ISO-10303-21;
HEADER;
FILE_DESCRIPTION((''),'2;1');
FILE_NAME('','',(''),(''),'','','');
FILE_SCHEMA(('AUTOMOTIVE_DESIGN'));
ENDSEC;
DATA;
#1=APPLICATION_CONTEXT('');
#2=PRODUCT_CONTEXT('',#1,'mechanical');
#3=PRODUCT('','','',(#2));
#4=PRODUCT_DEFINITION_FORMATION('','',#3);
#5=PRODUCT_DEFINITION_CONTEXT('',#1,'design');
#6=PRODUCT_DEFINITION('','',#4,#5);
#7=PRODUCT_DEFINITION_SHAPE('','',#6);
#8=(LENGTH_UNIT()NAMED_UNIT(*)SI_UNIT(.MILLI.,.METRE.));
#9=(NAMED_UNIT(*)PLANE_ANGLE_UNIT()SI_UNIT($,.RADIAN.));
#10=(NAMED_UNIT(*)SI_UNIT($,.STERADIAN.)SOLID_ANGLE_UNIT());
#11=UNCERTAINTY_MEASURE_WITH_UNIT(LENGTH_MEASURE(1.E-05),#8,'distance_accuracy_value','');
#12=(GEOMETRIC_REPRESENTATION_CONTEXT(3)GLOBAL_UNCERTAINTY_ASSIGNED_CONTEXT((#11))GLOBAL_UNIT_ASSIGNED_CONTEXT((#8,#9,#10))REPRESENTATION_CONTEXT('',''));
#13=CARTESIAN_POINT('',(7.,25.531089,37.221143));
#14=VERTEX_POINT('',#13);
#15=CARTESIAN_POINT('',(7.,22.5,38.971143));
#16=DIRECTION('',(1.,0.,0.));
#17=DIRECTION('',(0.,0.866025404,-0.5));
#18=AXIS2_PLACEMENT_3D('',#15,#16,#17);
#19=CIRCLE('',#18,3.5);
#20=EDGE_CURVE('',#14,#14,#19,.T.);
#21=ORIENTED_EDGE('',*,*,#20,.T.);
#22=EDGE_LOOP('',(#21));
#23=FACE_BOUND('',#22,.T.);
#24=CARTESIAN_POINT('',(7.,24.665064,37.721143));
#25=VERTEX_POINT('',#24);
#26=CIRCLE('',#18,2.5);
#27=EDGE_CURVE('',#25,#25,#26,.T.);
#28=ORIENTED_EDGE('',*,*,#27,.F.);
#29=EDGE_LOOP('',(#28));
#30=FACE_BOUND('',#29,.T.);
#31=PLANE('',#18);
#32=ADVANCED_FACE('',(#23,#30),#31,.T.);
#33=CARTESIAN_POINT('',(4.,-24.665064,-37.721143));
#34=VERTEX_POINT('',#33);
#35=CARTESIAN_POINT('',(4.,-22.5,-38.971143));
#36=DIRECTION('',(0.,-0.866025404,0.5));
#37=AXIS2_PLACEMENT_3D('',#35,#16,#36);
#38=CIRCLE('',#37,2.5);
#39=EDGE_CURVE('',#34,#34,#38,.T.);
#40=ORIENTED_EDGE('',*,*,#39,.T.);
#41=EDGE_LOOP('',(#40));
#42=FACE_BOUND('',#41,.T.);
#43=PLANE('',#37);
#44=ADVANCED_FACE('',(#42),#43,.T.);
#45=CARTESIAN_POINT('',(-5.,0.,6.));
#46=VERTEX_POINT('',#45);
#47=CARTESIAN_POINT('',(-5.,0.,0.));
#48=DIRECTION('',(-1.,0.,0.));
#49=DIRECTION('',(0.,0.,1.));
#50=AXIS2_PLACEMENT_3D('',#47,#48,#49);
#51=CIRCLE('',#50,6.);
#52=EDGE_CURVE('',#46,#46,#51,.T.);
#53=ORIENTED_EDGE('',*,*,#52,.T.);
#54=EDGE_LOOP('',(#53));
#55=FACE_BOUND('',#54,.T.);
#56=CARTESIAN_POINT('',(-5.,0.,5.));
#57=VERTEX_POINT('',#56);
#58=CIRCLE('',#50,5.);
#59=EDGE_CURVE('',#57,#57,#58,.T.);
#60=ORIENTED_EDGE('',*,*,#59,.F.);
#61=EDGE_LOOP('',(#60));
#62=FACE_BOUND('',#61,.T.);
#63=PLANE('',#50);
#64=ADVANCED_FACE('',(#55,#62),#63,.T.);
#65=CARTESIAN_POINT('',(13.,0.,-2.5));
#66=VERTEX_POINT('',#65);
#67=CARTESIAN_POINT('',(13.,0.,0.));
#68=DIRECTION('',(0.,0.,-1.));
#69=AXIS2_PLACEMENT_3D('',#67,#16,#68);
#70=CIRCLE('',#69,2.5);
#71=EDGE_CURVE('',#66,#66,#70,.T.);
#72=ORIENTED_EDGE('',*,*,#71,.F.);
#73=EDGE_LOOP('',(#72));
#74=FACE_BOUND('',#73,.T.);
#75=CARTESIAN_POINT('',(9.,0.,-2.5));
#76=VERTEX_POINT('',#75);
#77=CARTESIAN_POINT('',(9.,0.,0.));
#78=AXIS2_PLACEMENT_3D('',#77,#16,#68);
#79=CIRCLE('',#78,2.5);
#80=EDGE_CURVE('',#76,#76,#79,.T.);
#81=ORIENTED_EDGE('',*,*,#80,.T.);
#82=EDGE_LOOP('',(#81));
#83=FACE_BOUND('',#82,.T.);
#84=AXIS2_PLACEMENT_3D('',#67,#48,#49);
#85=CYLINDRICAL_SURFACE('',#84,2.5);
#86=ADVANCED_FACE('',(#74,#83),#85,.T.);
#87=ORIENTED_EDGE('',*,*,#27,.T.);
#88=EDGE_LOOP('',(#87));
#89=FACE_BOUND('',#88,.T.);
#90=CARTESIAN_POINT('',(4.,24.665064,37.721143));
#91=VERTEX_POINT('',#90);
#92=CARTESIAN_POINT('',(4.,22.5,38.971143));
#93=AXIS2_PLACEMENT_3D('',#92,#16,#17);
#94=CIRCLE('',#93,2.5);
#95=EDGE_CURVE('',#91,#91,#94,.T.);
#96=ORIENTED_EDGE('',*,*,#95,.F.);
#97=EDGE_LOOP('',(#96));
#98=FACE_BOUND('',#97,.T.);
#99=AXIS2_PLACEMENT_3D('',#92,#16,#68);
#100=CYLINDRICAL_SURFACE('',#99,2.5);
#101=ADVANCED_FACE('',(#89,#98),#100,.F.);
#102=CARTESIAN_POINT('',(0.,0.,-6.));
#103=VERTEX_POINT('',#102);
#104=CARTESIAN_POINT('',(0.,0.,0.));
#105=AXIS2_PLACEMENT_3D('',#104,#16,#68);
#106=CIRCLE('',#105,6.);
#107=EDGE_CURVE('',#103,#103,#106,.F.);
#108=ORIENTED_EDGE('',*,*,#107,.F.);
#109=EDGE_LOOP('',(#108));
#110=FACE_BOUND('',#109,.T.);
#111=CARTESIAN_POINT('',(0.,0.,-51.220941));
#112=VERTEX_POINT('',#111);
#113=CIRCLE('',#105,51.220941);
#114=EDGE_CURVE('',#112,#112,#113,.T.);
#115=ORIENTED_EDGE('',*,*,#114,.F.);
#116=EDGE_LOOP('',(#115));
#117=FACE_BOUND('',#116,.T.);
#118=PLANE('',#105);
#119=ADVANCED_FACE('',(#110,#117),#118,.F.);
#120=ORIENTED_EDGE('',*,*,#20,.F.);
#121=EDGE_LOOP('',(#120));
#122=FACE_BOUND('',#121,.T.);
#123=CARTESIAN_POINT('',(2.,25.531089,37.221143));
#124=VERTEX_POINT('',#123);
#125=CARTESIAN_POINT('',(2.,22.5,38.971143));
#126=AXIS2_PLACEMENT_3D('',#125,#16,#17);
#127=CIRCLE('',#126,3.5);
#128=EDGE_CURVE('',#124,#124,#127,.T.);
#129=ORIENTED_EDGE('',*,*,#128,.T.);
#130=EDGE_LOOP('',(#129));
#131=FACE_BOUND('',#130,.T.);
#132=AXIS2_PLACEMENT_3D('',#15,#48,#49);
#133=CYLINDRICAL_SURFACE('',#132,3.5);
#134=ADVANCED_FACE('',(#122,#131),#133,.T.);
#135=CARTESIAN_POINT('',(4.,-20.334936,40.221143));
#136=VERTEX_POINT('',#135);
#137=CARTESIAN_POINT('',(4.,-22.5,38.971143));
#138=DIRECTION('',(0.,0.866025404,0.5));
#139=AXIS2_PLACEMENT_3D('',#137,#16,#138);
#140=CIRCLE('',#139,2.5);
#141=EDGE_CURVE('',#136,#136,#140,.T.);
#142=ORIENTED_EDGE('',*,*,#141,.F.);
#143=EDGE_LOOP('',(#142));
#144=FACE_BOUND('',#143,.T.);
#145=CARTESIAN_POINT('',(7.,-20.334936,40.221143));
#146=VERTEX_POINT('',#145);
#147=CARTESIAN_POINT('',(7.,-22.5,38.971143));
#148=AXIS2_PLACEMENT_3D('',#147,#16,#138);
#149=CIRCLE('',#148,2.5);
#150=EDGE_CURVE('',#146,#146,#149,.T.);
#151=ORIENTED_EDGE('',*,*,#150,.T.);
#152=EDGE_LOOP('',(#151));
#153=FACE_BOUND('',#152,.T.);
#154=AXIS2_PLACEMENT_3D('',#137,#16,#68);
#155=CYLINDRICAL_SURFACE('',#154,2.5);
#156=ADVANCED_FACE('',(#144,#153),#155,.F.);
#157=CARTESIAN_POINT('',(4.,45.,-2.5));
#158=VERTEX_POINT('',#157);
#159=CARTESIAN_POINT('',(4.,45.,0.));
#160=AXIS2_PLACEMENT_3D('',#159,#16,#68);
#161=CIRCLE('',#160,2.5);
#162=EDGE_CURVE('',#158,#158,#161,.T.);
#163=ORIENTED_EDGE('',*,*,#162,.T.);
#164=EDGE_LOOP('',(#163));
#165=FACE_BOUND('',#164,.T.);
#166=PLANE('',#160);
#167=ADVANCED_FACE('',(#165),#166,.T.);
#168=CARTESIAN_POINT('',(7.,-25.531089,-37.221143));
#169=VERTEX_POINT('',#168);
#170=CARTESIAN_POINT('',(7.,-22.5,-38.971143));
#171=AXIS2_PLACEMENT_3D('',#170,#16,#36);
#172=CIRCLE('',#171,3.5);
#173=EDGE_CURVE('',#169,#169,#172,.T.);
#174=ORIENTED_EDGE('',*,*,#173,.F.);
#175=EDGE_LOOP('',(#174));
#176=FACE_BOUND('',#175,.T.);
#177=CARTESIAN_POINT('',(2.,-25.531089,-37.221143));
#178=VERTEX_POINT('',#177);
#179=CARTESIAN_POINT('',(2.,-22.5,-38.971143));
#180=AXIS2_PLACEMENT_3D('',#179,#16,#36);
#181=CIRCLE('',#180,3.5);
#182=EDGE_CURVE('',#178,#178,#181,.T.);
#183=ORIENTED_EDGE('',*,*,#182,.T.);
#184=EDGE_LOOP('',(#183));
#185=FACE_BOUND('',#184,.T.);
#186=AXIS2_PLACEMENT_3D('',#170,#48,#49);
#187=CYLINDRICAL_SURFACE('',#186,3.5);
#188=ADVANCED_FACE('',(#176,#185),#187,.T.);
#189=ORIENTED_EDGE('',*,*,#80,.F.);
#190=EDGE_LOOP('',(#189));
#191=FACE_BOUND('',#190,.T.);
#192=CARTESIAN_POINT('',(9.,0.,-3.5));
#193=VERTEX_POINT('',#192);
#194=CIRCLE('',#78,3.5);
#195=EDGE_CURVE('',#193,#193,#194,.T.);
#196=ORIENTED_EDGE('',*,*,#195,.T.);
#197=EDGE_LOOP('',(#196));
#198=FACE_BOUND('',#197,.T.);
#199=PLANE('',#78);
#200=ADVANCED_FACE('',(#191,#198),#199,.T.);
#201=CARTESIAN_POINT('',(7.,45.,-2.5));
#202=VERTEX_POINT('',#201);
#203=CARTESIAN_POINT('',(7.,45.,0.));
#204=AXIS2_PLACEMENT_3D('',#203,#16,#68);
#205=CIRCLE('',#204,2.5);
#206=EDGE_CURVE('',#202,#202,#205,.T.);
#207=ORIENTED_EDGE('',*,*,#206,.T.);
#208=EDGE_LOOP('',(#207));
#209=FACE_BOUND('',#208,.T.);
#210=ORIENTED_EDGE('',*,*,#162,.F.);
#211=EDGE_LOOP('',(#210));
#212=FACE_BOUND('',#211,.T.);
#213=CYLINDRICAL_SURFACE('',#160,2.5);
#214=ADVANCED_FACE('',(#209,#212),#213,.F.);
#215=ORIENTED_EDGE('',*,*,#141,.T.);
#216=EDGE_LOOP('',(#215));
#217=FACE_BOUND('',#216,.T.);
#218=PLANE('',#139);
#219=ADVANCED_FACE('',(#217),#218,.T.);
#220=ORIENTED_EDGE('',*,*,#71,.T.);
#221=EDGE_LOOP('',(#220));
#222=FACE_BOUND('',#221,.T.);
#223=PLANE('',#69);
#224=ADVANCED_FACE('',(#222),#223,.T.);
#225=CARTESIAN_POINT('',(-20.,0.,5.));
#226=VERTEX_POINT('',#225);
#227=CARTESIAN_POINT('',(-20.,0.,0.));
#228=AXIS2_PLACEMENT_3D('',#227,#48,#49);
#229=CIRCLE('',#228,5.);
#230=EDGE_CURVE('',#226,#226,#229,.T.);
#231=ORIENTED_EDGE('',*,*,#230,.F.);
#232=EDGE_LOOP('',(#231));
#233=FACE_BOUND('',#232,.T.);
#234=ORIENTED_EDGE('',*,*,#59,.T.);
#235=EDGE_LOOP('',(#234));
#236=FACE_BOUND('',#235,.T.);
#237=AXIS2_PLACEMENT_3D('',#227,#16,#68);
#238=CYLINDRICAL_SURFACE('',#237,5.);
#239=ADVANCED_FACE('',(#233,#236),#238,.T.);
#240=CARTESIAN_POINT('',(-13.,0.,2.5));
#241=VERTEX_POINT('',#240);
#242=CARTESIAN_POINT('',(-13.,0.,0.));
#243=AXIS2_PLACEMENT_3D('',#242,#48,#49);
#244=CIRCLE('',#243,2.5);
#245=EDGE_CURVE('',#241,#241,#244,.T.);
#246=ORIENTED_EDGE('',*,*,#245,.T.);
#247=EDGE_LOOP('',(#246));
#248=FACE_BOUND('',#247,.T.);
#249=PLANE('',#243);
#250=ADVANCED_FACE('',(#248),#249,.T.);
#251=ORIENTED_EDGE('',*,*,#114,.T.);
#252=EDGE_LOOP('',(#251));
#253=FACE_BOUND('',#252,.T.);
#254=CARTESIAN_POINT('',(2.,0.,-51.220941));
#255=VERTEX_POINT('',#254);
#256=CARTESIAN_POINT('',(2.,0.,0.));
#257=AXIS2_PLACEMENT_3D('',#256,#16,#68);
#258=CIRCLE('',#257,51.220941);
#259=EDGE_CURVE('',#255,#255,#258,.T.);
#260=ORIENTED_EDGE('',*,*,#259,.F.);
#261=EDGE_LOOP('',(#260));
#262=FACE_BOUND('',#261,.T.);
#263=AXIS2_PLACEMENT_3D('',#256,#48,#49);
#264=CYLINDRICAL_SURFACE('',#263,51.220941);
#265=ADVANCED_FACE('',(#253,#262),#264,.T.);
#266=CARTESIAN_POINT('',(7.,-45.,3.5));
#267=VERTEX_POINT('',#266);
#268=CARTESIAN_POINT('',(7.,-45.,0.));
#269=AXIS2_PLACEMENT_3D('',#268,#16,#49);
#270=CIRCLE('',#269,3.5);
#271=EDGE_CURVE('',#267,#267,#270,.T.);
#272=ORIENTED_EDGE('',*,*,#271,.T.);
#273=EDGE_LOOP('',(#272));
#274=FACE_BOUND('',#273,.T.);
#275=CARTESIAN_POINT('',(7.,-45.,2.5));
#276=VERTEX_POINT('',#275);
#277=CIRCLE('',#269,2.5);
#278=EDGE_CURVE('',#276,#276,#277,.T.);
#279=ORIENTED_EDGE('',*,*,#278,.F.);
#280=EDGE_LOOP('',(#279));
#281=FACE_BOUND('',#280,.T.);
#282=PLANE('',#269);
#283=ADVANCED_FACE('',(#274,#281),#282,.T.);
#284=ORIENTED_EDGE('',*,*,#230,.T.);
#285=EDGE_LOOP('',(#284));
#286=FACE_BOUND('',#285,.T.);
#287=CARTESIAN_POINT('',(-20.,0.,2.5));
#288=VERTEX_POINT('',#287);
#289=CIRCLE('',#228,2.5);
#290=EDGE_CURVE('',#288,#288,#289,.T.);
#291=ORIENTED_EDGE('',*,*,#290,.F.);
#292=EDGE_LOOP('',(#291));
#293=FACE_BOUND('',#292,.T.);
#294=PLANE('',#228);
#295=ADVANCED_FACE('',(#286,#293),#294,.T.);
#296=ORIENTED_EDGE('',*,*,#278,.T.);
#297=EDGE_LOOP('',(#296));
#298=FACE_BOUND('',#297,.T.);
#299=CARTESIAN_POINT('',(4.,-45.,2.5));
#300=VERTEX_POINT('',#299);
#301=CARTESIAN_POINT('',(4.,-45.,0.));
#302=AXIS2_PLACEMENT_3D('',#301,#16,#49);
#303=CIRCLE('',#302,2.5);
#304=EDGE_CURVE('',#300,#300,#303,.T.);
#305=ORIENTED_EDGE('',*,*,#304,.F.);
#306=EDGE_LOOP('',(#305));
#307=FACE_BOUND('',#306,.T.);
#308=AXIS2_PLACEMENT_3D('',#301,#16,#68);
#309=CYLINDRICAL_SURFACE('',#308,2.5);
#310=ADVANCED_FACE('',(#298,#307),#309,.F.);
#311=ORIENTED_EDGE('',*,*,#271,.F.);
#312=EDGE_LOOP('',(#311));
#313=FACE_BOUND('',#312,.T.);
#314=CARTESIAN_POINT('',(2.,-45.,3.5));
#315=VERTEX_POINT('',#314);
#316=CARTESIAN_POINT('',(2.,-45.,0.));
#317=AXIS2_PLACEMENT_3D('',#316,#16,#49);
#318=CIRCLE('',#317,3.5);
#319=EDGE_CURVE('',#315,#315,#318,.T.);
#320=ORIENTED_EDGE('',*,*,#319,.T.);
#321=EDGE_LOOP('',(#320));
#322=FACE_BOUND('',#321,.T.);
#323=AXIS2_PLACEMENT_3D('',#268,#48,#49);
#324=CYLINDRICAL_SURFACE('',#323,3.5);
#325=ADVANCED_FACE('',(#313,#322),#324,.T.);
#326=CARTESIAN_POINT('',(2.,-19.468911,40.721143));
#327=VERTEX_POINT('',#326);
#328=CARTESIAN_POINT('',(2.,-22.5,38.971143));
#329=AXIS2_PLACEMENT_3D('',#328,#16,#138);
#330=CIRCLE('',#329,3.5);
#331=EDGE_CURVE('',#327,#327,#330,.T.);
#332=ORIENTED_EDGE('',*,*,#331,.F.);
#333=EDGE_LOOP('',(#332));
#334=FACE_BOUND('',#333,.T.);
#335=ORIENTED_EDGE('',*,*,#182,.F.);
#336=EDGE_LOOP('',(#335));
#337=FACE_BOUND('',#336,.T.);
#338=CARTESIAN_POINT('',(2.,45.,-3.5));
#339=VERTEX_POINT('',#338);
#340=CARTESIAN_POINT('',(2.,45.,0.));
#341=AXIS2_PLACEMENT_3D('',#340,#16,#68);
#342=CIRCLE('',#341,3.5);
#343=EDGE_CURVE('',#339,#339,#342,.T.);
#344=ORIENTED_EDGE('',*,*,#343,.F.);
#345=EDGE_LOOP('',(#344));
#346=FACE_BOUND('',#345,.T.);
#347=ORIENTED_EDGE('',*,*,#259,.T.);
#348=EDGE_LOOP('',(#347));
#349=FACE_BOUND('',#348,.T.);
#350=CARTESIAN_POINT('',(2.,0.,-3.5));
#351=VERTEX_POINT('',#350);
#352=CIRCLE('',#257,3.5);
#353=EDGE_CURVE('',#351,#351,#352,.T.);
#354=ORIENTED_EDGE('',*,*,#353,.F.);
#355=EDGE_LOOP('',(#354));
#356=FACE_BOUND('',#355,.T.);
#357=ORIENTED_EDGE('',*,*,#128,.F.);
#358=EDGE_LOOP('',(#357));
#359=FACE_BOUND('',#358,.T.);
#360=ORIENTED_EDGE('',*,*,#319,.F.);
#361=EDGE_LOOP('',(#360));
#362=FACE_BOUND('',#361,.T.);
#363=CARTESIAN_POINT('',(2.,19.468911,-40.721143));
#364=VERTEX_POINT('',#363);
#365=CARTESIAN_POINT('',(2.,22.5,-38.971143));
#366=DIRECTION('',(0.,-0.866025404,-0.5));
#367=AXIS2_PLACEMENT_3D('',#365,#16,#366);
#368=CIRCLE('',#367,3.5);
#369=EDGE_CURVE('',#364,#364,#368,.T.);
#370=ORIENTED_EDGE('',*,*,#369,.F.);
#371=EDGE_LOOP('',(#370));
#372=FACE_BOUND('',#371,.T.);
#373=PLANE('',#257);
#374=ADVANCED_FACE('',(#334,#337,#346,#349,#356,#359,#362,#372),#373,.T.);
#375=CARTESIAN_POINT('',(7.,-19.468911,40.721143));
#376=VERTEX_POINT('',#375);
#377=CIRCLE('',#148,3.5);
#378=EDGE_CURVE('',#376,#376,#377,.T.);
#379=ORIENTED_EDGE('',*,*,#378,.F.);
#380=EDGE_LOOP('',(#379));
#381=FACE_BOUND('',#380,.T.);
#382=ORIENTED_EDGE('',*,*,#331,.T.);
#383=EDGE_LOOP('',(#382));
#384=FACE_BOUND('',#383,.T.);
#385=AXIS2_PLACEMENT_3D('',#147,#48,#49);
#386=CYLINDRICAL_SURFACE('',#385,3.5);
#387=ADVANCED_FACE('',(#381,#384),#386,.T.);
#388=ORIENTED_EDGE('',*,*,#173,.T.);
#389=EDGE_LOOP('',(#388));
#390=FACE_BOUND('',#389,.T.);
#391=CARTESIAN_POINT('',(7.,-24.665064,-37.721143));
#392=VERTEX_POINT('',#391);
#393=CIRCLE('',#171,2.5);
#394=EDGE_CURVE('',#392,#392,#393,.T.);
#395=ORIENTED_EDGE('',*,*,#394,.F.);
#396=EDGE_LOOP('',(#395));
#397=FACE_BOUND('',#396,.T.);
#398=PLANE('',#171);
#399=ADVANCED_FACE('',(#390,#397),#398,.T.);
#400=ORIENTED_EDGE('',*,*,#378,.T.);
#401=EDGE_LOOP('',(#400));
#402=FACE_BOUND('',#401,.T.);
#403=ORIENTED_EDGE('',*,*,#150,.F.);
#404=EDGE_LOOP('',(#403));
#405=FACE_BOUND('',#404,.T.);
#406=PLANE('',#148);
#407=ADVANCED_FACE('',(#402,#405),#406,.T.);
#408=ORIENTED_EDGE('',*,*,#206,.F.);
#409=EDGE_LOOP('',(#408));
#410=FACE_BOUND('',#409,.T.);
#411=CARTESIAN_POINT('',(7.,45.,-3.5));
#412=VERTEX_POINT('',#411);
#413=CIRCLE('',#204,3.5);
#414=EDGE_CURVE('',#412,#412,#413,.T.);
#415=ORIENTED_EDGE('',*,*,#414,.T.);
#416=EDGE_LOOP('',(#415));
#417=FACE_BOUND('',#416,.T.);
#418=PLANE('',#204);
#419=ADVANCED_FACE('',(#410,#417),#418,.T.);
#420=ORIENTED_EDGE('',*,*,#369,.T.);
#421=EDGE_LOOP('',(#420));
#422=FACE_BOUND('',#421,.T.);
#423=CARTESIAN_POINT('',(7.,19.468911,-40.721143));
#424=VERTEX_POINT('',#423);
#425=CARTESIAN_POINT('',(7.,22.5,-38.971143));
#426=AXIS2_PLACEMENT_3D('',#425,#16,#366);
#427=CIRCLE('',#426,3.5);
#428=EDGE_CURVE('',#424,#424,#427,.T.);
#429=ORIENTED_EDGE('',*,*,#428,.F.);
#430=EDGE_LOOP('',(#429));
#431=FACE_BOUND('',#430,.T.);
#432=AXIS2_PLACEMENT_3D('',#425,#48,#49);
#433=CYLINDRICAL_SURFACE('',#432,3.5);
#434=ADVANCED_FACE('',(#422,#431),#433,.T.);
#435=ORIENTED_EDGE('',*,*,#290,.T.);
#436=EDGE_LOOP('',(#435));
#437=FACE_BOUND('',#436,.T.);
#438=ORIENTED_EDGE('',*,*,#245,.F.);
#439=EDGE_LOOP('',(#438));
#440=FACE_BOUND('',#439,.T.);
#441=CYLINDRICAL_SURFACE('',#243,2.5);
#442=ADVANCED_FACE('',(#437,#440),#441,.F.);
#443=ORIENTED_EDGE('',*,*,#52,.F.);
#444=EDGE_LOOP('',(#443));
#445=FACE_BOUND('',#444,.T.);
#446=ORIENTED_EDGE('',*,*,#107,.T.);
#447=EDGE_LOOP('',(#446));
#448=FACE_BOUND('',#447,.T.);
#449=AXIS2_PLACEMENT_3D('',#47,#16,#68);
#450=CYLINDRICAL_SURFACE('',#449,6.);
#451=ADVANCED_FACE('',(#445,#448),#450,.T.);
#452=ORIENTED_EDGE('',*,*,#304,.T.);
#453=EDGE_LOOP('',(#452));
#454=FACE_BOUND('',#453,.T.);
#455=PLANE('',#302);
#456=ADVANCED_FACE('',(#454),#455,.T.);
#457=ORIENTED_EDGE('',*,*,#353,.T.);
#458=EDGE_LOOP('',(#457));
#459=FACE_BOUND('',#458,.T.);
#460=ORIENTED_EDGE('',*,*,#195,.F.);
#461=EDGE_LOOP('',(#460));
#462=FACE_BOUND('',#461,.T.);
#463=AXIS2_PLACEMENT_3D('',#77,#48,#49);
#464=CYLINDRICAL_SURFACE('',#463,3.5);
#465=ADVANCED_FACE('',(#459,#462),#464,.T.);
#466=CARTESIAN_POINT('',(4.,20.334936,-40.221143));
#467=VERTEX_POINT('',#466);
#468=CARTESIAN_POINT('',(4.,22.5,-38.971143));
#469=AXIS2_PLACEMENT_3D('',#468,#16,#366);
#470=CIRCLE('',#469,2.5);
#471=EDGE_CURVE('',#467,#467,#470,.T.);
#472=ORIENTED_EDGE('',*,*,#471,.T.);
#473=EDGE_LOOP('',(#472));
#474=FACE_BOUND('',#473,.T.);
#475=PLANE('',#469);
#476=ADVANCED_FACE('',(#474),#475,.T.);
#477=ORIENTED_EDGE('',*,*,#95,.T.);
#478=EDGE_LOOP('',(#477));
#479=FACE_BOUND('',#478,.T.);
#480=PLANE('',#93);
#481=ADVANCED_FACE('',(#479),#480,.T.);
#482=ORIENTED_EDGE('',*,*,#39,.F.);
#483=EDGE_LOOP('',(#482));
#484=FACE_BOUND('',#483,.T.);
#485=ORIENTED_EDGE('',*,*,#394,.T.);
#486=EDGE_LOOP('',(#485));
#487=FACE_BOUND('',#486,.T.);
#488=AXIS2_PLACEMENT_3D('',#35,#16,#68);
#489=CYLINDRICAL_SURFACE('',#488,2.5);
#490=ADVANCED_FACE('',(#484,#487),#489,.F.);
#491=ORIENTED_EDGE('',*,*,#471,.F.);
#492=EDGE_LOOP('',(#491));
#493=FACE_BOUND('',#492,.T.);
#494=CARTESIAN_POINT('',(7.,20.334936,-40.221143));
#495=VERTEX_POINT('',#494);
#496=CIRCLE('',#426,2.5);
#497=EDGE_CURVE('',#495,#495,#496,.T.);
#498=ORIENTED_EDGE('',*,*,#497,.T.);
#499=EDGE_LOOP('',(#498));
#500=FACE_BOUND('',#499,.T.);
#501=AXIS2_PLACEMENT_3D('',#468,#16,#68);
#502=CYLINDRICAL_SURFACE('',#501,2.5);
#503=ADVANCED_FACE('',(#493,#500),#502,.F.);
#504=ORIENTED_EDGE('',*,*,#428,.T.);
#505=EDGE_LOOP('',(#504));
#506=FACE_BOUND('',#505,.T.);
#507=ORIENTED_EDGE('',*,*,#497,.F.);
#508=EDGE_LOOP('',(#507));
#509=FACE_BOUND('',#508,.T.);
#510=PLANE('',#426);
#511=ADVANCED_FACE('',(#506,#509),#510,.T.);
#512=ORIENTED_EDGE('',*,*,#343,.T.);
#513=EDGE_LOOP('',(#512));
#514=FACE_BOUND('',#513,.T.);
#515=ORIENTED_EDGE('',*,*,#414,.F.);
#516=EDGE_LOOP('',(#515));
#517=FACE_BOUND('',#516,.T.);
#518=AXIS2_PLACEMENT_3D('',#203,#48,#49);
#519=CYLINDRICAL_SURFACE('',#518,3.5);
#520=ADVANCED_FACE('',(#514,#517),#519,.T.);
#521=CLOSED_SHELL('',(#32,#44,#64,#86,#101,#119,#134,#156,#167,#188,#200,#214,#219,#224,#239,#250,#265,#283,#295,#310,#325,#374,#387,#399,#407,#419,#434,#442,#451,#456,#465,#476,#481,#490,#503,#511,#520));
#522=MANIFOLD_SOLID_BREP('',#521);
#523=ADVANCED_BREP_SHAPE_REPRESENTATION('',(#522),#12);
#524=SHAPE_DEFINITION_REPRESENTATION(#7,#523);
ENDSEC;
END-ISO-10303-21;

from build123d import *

# Parameters (mm, degrees)
SKETCH_1_R               = 51.220940725
EXTRUDE_1_DEPTH          = 2
SKETCH_2_R               = 3.5
EXTRUDE_2_DEPTH          = 5
PATTERN_CIRCULAR_1_COUNT = 6
SKETCH_3_R               = 2.5
CUT_EXTRUDE_1_DEPTH      = 3
PATTERN_CIRCULAR_2_COUNT = 6
SKETCH_4_R               = 2.5
EXTRUDE_3_DEPTH          = 11
SKETCH_5_R               = 3.5
EXTRUDE_4_DEPTH          = 7
SKETCH_6_R               = 5
EXTRUDE_5_DEPTH          = 20
SKETCH_7_R               = 6
EXTRUDE_6_DEPTH          = 5
SKETCH_8_R               = 2.5
CUT_EXTRUDE_2_DEPTH      = 7


with BuildPart() as part:
    # 草图1 → 凸台-拉伸1 (new body)
    with BuildSketch(Plane(origin=(0, 0, 0), x_dir=(0, 0, -1), z_dir=(1, 0, 0))):
        Circle(SKETCH_1_R)
    extrude(amount=EXTRUDE_1_DEPTH)

    # 草图2 → 凸台-拉伸2 (add)
    with BuildSketch(Plane(origin=(2, 0, 0), x_dir=(0, 0, -1), z_dir=(1, 0, 0))):
        with Locations((0, 45)):
            Circle(SKETCH_2_R)
    extrude_2 = extrude(amount=EXTRUDE_2_DEPTH)

    # 阵列(圆周)1: 凸台-拉伸2 ×6 about axis
    pattern_circular_1_axis = Axis((0, 0, 0), (1, 0, 0))
    for i in range(1, PATTERN_CIRCULAR_1_COUNT):
        add(extrude_2.rotate(pattern_circular_1_axis, i * 360 / PATTERN_CIRCULAR_1_COUNT))

    # 草图3 → 切除-拉伸1 (cut)
    with BuildSketch(Plane(origin=(7, 0, 0), x_dir=(0, 0, -1), z_dir=(1, 0, 0))):
        with Locations((0, 45)):
            Circle(SKETCH_3_R)
    cut_extrude_1 = extrude(amount=-CUT_EXTRUDE_1_DEPTH, mode=Mode.SUBTRACT)

    # 阵列(圆周)2: 切除-拉伸1 ×6 about axis
    pattern_circular_2_axis = Axis((0, 0, 0), (1, 0, 0))
    for i in range(1, PATTERN_CIRCULAR_2_COUNT):
        add(cut_extrude_1.rotate(pattern_circular_2_axis, i * 360 / PATTERN_CIRCULAR_2_COUNT), mode=Mode.SUBTRACT)

    # 草图4 → 凸台-拉伸3 (add)
    with BuildSketch(Plane(origin=(2, 0, 0), x_dir=(0, 0, -1), z_dir=(1, 0, 0))):
        Circle(SKETCH_4_R)
    extrude(amount=EXTRUDE_3_DEPTH)

    # 草图5 → 凸台-拉伸4 (add)
    with BuildSketch(Plane(origin=(2, 0, 0), x_dir=(0, 0, -1), z_dir=(1, 0, 0))):
        Circle(SKETCH_5_R)
    extrude(amount=EXTRUDE_4_DEPTH)

    # 草图6 → 凸台-拉伸5 (add)
    with BuildSketch(Plane.ZY):
        with Locations(Location((0, 0, 0), (0, 0, 180))):
            Circle(SKETCH_6_R)
    extrude(amount=EXTRUDE_5_DEPTH)

    # 草图7 → 凸台-拉伸6 (add)
    with BuildSketch(Plane.ZY):
        with Locations(Location((0, 0, 0), (0, 0, 180))):
            Circle(SKETCH_7_R)
    extrude(amount=EXTRUDE_6_DEPTH)

    # 草图8 → 切除-拉伸2 (cut)
    with BuildSketch(Plane.ZY.offset(20)):
        with Locations(Location((0, 0, 0), (0, 0, 180))):
            Circle(SKETCH_8_R)
    extrude(amount=-CUT_EXTRUDE_2_DEPTH, mode=Mode.SUBTRACT)


solid = part.part
